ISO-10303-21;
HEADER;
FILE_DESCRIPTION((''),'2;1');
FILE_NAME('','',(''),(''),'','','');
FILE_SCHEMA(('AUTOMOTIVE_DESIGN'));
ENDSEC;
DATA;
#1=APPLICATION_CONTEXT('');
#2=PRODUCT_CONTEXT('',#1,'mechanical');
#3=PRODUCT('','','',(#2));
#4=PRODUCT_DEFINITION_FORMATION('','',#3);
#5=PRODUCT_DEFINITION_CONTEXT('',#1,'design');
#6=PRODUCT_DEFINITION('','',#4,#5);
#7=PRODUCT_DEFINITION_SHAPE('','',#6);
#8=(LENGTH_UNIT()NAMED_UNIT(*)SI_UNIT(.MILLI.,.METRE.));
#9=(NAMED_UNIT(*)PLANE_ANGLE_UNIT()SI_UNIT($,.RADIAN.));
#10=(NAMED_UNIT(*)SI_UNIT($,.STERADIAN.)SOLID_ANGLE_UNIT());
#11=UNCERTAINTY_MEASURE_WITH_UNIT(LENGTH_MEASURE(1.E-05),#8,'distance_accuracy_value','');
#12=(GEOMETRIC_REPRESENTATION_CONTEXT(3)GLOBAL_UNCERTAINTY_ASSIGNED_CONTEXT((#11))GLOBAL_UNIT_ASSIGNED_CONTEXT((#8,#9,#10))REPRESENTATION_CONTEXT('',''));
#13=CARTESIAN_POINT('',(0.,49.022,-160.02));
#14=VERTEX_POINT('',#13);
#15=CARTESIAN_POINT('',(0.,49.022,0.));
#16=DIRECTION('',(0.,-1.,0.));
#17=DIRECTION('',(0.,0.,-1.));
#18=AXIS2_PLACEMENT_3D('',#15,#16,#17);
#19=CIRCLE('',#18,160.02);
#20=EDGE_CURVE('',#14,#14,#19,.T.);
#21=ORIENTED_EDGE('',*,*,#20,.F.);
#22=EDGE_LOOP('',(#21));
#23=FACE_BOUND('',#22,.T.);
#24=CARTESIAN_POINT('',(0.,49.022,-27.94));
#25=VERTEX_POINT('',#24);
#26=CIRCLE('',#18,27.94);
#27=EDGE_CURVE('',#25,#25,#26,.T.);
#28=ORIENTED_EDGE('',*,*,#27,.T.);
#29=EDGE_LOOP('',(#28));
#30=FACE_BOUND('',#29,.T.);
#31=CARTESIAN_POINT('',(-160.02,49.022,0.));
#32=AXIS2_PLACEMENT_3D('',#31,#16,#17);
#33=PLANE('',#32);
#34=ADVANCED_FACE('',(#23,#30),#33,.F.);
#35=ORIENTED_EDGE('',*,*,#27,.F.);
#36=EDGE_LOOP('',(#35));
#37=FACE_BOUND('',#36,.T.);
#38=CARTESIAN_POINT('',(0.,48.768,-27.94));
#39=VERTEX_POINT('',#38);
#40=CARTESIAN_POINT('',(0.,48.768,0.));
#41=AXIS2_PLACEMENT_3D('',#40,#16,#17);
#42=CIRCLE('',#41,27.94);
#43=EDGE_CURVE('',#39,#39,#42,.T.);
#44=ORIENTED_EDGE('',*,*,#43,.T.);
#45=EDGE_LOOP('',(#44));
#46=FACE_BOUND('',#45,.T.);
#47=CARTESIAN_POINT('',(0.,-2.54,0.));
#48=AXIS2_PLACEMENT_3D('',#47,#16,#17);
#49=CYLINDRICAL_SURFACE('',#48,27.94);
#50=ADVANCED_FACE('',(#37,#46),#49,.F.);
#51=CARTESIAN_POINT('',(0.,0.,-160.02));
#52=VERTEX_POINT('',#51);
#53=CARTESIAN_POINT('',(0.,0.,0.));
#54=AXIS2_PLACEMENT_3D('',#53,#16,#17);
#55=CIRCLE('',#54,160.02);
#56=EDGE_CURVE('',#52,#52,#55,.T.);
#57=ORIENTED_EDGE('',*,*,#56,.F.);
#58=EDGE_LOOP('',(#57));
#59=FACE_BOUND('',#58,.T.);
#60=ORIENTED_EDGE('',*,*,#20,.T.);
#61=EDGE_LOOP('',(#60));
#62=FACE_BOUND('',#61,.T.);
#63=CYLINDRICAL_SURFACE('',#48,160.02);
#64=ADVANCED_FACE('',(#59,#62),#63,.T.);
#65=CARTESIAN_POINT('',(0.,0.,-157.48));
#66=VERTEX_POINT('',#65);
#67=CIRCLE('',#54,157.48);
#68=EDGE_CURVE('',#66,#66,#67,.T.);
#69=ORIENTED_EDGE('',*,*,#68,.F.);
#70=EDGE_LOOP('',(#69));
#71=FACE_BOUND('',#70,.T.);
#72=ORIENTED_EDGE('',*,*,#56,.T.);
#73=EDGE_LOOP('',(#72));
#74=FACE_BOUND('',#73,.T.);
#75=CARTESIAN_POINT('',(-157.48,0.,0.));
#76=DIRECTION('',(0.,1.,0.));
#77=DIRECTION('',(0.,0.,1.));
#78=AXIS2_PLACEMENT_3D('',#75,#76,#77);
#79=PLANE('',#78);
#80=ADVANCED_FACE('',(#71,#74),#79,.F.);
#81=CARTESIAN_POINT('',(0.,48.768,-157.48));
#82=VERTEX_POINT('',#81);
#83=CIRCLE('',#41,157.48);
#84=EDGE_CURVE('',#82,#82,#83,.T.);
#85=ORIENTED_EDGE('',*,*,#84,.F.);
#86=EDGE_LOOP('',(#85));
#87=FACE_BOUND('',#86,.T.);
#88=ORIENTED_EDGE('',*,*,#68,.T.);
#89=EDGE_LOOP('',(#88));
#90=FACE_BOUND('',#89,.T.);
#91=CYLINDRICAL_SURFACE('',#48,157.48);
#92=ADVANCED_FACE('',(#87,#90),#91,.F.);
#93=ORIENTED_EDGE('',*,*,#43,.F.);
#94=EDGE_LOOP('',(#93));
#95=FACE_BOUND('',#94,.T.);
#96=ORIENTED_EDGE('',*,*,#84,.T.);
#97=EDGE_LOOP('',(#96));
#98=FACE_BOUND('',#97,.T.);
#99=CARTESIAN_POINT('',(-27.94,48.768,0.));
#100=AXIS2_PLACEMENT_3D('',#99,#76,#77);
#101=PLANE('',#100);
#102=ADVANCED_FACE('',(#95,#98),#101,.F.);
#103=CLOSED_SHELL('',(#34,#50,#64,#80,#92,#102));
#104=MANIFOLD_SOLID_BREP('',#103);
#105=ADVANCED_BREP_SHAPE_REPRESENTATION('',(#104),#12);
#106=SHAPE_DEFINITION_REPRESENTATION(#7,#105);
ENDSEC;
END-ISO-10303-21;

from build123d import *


with BuildPart() as part:
    # Sketch1 → Revolve1 (revolve)
    with BuildSketch(Plane.XY, mode=Mode.PRIVATE) as revolve1_sk:
        Polygon((-160.02, 0), (-160.02, 49.022), (-27.94, 49.022), (-27.94, 48.768), (-157.48, 48.768), (-157.48, 0), align=None)
    revolve(revolve1_sk.sketch.rotate(Axis((0, -2.54, 0), (0, 1, 0)), 270), axis=Axis((0, -2.54, 0), (0, 1, 0)))


solid = part.part
